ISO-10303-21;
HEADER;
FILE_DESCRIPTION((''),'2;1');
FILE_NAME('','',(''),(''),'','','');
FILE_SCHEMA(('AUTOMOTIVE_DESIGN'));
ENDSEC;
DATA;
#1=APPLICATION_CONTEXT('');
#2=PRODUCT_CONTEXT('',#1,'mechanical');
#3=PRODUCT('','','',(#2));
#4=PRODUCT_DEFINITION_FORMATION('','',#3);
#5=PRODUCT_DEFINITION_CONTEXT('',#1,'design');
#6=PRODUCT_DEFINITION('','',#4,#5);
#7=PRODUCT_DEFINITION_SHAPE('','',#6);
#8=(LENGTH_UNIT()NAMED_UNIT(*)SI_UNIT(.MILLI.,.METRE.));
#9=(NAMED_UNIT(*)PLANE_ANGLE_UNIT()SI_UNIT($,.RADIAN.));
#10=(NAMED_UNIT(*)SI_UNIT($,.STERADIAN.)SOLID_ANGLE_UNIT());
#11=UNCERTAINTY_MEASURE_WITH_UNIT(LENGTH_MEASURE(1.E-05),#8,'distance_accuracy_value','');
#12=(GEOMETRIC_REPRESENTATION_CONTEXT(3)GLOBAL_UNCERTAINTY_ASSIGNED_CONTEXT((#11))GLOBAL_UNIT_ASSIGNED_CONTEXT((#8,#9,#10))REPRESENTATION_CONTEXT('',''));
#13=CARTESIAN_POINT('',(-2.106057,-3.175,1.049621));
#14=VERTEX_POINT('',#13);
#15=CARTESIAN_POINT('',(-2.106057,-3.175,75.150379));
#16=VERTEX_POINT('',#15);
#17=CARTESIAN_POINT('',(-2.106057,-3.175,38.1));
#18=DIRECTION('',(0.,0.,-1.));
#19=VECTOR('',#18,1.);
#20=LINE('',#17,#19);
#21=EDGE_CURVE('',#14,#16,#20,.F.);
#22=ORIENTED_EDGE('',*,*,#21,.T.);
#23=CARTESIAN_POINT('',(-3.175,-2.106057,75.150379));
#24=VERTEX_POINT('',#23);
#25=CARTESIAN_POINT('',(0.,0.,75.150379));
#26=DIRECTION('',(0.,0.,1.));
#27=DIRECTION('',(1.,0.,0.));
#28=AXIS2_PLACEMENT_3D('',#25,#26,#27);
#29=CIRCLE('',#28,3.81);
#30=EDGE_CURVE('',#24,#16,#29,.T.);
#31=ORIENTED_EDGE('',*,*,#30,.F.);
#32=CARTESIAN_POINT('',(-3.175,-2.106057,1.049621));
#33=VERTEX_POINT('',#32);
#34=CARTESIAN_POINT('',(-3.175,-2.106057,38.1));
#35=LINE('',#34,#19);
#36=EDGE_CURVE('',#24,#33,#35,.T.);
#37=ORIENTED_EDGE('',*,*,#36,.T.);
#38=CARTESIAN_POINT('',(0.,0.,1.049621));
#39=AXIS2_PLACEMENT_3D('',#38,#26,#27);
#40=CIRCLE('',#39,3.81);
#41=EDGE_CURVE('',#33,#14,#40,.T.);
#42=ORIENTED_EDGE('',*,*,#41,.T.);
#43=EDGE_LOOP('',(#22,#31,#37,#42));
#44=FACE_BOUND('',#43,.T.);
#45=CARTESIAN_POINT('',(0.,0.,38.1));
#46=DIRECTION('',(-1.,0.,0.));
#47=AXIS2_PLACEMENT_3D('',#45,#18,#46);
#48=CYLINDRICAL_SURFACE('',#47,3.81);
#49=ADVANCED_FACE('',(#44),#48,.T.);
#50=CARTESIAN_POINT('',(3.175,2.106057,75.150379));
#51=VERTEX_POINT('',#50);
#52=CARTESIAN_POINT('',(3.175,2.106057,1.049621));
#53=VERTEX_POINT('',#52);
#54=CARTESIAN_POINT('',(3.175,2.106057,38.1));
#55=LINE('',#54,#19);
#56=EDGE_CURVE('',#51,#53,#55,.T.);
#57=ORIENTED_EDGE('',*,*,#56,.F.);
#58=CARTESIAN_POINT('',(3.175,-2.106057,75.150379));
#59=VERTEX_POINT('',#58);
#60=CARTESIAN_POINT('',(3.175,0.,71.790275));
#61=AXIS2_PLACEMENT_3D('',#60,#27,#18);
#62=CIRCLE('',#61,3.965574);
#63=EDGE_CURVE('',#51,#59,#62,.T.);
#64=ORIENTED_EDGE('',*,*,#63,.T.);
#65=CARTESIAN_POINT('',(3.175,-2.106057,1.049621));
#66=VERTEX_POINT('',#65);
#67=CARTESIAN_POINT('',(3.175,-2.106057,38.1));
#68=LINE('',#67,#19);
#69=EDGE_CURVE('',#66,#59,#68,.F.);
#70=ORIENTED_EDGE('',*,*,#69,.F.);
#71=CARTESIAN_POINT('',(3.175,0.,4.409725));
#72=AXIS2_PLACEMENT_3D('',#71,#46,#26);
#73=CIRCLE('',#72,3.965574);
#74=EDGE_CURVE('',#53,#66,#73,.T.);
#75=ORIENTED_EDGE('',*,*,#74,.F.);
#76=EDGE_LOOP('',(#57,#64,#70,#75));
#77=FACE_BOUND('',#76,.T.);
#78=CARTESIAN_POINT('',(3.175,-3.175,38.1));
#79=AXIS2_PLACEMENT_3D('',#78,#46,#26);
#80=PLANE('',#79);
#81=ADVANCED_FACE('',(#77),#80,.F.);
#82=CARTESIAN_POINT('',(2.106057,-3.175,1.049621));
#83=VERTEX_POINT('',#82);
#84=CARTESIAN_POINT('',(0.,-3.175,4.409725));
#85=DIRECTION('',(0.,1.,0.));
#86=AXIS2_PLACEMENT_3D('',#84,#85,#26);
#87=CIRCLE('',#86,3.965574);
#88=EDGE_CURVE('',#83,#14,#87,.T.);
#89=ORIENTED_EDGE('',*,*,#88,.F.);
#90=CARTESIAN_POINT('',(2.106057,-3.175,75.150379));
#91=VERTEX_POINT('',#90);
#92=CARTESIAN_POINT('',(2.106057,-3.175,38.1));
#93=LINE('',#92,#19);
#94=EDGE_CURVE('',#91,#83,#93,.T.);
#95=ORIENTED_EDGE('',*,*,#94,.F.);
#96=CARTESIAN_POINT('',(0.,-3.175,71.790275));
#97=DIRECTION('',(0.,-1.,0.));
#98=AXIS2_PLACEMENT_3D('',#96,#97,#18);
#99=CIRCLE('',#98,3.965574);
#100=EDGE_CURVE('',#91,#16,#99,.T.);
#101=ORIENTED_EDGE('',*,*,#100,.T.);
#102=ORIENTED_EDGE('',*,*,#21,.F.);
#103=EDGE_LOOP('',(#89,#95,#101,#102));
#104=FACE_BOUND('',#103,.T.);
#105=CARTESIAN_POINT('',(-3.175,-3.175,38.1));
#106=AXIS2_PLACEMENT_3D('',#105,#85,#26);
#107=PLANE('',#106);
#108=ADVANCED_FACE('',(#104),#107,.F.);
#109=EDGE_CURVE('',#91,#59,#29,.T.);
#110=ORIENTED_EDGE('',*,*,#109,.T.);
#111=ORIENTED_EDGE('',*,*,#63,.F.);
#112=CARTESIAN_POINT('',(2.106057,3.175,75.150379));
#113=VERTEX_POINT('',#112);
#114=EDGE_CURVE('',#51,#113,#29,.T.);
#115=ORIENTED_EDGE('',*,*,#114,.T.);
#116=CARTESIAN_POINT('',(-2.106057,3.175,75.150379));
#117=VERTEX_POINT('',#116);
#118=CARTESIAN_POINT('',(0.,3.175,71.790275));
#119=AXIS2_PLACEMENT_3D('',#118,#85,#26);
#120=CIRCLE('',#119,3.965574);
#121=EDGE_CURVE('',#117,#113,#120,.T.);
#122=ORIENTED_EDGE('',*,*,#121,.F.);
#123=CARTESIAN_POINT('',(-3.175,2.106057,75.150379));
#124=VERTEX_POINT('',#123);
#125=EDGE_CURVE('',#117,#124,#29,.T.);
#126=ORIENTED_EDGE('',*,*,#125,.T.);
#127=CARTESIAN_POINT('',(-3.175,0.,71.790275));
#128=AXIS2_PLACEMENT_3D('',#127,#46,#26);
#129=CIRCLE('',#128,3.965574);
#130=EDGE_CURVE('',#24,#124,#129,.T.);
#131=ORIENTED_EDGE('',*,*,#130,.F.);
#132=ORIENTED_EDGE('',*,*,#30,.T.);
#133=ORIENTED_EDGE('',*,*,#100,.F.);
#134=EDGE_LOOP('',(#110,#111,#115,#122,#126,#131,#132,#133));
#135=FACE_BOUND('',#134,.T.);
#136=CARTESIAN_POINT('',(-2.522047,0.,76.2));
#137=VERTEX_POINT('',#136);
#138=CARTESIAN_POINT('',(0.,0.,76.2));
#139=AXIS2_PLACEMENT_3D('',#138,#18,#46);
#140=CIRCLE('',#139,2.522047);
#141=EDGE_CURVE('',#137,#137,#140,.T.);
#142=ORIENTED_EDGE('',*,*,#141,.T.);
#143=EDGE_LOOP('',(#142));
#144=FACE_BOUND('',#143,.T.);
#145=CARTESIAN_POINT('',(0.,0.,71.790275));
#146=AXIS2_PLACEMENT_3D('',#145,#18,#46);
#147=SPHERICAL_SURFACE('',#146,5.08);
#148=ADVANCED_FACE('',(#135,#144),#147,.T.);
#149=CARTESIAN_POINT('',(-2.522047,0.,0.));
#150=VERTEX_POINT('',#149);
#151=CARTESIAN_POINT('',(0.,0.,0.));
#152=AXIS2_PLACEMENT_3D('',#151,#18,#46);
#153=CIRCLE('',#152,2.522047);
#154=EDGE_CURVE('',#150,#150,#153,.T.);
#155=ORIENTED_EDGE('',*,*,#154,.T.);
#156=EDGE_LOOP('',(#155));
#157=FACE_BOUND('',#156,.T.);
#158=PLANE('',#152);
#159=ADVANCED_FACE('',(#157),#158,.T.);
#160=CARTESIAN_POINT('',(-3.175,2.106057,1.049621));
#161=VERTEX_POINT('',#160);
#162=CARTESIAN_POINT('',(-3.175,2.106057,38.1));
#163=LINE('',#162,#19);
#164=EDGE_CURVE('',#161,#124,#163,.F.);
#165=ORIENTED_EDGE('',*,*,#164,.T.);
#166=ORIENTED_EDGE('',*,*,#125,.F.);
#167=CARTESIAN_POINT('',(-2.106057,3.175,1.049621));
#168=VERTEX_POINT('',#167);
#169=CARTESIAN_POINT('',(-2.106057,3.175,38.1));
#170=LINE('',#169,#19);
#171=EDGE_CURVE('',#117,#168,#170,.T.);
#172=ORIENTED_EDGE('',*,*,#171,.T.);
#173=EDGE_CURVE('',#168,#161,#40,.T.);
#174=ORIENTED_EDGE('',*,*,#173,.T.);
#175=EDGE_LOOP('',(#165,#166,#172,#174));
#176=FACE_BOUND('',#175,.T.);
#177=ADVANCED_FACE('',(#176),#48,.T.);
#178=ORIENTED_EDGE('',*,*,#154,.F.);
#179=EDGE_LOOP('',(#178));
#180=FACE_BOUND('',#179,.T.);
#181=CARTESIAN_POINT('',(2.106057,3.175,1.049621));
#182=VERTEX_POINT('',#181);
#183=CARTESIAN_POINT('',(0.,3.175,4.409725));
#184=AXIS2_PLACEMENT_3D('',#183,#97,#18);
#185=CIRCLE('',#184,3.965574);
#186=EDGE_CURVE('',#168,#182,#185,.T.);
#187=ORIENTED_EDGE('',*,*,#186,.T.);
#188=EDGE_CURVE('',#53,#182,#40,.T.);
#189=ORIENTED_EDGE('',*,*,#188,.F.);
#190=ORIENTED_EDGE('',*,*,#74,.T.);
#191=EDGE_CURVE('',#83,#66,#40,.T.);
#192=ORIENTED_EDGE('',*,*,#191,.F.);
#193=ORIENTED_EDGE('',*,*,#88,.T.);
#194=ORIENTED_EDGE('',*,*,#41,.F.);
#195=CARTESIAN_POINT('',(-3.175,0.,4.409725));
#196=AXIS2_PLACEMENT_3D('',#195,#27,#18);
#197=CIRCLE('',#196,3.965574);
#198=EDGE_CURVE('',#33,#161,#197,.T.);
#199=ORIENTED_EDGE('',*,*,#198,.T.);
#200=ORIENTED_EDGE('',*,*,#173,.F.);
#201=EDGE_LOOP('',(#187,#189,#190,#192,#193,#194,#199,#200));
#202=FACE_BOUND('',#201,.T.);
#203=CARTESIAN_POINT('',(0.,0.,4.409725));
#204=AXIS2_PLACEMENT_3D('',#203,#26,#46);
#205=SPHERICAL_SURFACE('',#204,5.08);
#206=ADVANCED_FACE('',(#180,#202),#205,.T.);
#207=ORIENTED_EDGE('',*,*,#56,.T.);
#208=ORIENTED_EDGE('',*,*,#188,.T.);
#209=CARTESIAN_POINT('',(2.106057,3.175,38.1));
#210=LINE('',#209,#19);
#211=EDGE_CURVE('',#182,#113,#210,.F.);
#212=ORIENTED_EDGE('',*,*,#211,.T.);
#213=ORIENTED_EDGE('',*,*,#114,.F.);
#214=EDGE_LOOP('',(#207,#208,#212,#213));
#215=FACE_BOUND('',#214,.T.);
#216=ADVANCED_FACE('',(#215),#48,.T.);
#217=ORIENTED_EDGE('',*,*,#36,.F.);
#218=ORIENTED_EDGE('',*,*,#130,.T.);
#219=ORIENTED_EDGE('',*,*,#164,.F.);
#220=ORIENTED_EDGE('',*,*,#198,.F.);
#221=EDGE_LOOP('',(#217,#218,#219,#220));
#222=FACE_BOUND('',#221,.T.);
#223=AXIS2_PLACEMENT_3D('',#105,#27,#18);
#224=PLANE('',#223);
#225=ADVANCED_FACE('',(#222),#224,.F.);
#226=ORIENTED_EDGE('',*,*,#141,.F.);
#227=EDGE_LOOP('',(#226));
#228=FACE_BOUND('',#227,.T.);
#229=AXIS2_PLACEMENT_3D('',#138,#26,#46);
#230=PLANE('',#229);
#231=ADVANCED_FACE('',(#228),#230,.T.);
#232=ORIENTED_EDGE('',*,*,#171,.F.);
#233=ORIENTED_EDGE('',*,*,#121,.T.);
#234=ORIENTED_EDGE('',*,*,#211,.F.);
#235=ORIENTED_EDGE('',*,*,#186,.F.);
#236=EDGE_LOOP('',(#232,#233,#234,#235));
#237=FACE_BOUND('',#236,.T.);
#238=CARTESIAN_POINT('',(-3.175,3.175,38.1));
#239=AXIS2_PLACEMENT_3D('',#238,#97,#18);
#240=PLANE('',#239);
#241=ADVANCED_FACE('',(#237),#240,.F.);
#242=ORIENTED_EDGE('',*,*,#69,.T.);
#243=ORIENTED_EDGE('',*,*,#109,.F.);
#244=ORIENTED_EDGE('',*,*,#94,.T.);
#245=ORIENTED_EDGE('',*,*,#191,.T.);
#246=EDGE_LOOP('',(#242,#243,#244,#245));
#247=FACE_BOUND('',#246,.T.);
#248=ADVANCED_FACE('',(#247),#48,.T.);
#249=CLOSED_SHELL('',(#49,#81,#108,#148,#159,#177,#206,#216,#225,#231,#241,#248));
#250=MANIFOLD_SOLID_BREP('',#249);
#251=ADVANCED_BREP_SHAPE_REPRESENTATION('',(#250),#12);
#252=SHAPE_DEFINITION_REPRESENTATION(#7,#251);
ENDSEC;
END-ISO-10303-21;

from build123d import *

# Parameters (mm, degrees)
SKETCH1_W           = 6.35
SKETCH1_H           = 6.35
BOSS_EXTRUDE1_DEPTH = 38.1
SKETCH2_OUTSIDE_W   = 16.178
SKETCH2_OUTSIDE_H   = 16.178
SKETCH2_OUTSIDE_R   = 3.81
CUT_EXTRUDE1_DEPTH  = 39.1


with BuildPart() as part:
    # Sketch1 → Boss-Extrude1 (new body)
    with BuildSketch(Plane.XY):
        Rectangle(SKETCH1_W, SKETCH1_H)
    extrude(amount=BOSS_EXTRUDE1_DEPTH)

    # Sketch2 outside → Cut-Extrude1 (cut, through all)
    with BuildSketch(Plane(origin=(0, 0, 0), x_dir=(-1, 0, 0), z_dir=(0, 0, -1))):
        Rectangle(SKETCH2_OUTSIDE_W, SKETCH2_OUTSIDE_H)
        Circle(SKETCH2_OUTSIDE_R, mode=Mode.SUBTRACT)
    extrude(amount=-CUT_EXTRUDE1_DEPTH, mode=Mode.SUBTRACT)

    # Sketch3 → Cut-Revolve1 (revolve, cut)
    with BuildSketch(Plane(origin=(0, 0, 0), x_dir=(1, 0, 0), z_dir=(0, 1, 0))):
        with BuildLine():
            Line((-5.053685963, -3.893335876), (-5.053685963, 5.740530545))
            Line((-5.053685963, 5.740530545), (0, 5.740530545))
            Line((0, 5.740530545), (0, 0.670274551))
            ThreePointArc((0, 0.670274551), (-3.404639553, -0.639469554), (-5.053685963, -3.893335876))
        make_face()
    revolve(axis=Axis((0, 0, 38.1), (0, 0, -1)), mode=Mode.SUBTRACT)

    # Mirror1: part across plane


with BuildPart() as part_1:
    add(part.part)
    add(part.part.mirror(Plane(origin=(0, 0, 38.1), x_dir=(1, 0, 0), z_dir=(0, 0, -1))))


solid = part_1.part
